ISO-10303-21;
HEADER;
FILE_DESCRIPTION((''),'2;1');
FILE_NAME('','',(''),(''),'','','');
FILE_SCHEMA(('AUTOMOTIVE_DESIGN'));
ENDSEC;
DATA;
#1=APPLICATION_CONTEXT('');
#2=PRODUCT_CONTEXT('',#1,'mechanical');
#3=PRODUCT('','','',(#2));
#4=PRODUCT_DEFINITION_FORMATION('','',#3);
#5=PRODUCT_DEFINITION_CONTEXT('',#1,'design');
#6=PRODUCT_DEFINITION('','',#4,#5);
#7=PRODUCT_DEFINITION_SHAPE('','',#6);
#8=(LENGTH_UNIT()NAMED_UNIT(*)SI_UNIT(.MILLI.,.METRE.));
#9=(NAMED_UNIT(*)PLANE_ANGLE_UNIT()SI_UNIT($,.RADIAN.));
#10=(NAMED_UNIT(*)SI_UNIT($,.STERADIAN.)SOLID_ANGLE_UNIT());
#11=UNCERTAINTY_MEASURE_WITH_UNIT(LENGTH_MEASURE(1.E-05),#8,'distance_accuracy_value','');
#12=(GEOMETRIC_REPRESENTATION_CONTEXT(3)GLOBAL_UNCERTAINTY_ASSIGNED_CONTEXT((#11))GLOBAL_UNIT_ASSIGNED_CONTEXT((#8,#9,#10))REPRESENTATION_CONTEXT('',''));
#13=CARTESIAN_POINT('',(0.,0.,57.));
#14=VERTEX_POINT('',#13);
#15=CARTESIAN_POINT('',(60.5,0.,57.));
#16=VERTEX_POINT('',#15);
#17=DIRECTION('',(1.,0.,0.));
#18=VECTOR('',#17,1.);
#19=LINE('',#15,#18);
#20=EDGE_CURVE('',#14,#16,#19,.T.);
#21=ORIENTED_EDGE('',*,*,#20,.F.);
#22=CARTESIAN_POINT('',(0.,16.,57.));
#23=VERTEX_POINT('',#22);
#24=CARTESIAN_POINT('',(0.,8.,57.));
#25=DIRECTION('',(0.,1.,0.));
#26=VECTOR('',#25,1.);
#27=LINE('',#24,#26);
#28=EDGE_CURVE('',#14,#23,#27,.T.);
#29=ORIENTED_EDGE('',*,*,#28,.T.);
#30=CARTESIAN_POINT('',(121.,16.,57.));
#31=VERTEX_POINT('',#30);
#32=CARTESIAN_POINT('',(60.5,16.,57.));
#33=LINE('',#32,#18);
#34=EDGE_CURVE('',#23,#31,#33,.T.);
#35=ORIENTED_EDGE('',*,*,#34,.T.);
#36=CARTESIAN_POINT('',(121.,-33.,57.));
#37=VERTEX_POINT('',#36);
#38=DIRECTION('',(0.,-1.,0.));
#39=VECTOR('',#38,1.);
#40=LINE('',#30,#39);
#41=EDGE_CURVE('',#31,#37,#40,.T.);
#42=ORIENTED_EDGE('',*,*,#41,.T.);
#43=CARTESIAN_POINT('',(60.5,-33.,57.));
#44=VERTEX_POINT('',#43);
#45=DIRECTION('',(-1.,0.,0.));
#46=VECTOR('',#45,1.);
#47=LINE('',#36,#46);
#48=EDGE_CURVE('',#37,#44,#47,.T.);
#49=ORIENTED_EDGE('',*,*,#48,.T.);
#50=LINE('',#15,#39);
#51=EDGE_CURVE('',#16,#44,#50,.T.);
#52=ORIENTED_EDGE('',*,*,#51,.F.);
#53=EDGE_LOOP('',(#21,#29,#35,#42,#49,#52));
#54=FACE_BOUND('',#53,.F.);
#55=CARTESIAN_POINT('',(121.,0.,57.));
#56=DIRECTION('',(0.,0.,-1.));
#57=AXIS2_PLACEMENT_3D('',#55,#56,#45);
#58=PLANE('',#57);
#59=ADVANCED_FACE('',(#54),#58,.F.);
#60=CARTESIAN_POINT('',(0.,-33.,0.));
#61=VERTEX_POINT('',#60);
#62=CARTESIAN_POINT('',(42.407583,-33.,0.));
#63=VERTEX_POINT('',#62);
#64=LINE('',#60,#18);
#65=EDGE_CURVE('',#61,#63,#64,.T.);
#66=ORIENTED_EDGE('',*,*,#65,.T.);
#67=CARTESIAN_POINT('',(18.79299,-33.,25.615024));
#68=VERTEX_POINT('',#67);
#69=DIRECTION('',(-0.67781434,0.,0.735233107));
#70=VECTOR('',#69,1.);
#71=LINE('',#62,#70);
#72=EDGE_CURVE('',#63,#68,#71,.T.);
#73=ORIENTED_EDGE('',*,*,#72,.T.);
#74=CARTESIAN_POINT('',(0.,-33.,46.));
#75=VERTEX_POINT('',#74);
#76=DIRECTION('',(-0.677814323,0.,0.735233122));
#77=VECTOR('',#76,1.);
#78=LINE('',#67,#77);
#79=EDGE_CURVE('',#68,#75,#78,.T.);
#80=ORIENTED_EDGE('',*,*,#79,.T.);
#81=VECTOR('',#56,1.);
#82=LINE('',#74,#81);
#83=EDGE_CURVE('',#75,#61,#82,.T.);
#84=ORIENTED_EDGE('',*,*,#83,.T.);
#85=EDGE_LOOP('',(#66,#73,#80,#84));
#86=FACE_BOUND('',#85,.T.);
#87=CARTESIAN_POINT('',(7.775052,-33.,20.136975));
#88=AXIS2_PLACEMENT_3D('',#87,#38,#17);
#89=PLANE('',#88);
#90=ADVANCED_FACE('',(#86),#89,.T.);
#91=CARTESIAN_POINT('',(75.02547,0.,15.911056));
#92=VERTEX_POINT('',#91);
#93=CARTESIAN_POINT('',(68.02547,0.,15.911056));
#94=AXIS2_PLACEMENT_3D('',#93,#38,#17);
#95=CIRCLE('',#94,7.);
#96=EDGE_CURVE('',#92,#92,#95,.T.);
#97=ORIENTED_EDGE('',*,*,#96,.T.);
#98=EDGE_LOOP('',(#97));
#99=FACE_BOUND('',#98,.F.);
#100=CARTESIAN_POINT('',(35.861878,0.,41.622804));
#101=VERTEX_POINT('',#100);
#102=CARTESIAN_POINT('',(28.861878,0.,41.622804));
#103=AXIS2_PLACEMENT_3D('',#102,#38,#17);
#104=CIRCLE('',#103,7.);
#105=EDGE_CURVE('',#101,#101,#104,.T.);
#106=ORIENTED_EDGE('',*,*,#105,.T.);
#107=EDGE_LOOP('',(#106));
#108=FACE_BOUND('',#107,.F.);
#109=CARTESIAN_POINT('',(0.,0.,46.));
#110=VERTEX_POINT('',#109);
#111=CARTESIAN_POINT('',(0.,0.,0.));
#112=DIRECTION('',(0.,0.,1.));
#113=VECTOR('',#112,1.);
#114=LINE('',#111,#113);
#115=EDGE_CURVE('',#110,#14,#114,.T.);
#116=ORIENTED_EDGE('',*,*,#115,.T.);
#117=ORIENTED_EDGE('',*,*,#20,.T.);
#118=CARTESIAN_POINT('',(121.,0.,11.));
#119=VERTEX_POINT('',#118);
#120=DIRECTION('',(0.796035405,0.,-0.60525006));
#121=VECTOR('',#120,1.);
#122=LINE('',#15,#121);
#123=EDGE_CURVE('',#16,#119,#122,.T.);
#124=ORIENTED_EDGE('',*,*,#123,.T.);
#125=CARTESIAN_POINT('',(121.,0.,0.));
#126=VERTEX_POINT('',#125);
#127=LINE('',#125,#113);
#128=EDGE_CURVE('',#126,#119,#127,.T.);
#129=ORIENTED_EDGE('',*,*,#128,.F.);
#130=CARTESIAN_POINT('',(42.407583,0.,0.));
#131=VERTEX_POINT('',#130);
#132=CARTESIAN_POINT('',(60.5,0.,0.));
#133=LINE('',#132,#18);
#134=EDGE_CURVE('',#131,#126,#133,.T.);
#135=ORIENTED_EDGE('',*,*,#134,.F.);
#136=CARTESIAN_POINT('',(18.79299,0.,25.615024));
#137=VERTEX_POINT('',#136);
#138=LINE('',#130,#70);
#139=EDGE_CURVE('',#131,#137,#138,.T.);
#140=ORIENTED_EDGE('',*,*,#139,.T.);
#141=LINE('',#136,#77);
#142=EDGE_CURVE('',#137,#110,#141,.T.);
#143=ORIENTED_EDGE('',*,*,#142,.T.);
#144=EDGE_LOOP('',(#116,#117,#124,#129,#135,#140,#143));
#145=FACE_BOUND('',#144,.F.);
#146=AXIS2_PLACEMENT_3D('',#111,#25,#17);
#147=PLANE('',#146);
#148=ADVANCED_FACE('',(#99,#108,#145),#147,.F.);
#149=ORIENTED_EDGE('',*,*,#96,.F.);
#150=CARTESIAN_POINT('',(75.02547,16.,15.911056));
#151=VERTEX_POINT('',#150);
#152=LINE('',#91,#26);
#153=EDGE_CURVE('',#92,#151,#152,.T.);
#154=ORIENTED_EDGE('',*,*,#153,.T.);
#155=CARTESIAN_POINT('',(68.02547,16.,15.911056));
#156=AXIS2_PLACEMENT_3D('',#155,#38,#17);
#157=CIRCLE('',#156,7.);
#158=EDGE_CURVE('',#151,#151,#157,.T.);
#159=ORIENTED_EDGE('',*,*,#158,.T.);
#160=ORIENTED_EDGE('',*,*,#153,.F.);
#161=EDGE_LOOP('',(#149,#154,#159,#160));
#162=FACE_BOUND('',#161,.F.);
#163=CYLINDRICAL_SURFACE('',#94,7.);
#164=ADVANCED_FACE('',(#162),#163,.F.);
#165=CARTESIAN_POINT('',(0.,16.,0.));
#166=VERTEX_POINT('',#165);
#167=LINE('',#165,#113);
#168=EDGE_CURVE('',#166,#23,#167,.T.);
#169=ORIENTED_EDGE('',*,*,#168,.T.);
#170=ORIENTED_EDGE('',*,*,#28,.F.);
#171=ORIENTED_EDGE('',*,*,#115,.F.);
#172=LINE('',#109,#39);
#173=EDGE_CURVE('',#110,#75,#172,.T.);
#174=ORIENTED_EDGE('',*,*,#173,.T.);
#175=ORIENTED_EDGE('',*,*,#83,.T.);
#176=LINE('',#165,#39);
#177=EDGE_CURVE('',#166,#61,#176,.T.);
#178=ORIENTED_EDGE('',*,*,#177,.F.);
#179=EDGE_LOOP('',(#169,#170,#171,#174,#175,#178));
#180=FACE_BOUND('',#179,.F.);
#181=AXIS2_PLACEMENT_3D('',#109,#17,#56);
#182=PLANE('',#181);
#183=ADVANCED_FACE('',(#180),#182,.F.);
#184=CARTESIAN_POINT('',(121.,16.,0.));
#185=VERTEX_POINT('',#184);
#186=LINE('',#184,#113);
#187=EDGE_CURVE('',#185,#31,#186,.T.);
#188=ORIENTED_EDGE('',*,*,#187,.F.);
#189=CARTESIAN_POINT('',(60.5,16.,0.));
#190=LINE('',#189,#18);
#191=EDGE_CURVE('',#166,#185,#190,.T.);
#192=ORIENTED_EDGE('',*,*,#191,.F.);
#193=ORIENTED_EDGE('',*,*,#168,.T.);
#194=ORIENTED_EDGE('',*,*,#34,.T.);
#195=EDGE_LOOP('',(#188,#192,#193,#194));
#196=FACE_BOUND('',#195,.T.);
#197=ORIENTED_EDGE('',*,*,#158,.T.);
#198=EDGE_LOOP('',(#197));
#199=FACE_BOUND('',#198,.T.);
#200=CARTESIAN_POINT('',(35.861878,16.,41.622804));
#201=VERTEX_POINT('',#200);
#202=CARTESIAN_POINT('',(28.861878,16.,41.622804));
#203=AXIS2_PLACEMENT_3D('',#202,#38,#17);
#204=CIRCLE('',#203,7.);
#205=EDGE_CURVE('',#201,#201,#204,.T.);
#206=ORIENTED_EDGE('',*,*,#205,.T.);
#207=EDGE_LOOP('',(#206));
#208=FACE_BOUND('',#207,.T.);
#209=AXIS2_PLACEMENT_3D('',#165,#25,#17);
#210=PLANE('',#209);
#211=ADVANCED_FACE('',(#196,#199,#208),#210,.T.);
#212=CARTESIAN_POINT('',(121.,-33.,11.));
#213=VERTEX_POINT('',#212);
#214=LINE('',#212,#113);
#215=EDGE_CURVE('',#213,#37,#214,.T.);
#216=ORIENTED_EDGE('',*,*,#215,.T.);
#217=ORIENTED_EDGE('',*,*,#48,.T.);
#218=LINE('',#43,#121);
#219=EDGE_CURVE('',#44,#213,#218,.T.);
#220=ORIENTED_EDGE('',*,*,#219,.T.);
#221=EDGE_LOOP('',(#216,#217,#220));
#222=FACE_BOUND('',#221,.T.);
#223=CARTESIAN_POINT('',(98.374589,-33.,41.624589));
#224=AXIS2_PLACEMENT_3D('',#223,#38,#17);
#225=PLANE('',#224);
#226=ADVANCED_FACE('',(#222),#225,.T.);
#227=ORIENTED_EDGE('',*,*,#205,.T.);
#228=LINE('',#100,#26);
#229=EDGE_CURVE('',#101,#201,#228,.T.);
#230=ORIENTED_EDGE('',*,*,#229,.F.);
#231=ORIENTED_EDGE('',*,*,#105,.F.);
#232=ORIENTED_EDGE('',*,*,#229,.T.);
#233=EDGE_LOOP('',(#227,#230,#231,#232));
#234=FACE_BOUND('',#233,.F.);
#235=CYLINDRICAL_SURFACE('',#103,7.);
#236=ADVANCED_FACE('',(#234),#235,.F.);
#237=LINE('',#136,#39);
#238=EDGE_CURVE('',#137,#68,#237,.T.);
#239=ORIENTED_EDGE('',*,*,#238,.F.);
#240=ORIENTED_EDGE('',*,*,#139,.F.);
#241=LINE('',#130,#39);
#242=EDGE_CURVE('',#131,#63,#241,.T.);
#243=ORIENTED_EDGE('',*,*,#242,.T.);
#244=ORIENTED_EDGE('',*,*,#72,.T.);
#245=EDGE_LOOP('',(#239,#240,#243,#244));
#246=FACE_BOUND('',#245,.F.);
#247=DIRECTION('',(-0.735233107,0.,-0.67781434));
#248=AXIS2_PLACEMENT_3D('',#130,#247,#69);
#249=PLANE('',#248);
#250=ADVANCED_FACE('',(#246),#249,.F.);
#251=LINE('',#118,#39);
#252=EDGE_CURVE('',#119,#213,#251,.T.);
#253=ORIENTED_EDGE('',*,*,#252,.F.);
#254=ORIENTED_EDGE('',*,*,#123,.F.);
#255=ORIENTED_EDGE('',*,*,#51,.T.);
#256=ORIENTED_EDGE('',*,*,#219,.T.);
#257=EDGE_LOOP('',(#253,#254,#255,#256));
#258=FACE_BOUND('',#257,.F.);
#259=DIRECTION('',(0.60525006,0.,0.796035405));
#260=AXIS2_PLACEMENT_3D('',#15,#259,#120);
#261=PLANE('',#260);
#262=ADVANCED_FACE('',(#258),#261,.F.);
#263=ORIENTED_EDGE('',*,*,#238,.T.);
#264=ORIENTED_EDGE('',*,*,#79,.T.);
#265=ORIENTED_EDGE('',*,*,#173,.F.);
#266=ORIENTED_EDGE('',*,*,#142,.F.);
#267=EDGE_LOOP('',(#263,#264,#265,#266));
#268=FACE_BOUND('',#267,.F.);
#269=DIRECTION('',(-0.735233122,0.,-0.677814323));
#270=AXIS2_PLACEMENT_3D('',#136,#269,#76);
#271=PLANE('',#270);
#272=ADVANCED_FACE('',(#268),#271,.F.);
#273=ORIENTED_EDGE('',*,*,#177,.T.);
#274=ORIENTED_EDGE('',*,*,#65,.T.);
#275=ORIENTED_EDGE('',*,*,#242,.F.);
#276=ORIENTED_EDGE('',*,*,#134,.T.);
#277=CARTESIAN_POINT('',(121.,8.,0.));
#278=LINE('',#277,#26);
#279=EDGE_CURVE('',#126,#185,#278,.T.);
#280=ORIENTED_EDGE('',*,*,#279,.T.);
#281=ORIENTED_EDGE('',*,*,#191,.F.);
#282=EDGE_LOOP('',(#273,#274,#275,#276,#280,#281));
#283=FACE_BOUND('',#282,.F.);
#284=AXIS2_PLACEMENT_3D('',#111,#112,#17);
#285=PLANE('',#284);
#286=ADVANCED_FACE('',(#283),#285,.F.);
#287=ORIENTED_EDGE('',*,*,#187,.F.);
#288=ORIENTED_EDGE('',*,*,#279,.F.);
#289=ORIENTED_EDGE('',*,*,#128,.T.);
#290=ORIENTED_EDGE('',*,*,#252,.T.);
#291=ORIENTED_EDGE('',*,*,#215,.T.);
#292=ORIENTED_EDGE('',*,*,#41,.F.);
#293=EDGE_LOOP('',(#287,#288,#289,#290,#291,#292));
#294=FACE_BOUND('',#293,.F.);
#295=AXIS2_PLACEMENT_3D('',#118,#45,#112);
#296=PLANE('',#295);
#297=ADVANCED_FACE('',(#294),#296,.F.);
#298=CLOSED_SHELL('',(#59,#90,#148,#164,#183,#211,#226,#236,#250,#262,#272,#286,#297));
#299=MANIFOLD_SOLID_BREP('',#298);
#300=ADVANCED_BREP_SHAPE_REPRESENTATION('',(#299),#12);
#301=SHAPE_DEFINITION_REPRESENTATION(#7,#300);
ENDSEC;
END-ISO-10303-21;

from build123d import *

# Parameters (mm, degrees)
F0_W     = 121
F0_H     = 16
F1_DEPTH = 57
F3_DEPTH = 33
F5_DEPTH = 33
F6_R     = 7
F7_DEPTH = 16.001


with BuildPart() as f1:
    # F0 (on Top) → F1 (new body)
    with BuildSketch(Plane.XY):
        with Locations((60.5, 8)):
            Rectangle(F0_W, F0_H)
    extrude(amount=F1_DEPTH)

    # F2 (on face) → F3 (join)
    with BuildSketch(Plane.XZ):
        Polygon((18.79299, 25.615024), (0, 46), (0, 0), (18.79299, 0), align=None)
        Polygon((42.407583, 0), (18.79299, 25.615024), (18.79299, 0), align=None)
    extrude(amount=F3_DEPTH)

    # F4 (on face) → F5 (join)
    with BuildSketch(Plane.XZ):
        Polygon((121, 11), (121, 57), (60.5, 57), align=None)
    extrude(amount=F5_DEPTH)

    # F6 (on face) → F7 (cut, through all)
    with BuildSketch(Plane.XZ):
        with Locations((28.861878, 41.622804)):
            Circle(F6_R)
        with Locations((68.02547, 15.911056)):
            Circle(F6_R)
    extrude(amount=-F7_DEPTH, mode=Mode.SUBTRACT)


solid = f1.part
